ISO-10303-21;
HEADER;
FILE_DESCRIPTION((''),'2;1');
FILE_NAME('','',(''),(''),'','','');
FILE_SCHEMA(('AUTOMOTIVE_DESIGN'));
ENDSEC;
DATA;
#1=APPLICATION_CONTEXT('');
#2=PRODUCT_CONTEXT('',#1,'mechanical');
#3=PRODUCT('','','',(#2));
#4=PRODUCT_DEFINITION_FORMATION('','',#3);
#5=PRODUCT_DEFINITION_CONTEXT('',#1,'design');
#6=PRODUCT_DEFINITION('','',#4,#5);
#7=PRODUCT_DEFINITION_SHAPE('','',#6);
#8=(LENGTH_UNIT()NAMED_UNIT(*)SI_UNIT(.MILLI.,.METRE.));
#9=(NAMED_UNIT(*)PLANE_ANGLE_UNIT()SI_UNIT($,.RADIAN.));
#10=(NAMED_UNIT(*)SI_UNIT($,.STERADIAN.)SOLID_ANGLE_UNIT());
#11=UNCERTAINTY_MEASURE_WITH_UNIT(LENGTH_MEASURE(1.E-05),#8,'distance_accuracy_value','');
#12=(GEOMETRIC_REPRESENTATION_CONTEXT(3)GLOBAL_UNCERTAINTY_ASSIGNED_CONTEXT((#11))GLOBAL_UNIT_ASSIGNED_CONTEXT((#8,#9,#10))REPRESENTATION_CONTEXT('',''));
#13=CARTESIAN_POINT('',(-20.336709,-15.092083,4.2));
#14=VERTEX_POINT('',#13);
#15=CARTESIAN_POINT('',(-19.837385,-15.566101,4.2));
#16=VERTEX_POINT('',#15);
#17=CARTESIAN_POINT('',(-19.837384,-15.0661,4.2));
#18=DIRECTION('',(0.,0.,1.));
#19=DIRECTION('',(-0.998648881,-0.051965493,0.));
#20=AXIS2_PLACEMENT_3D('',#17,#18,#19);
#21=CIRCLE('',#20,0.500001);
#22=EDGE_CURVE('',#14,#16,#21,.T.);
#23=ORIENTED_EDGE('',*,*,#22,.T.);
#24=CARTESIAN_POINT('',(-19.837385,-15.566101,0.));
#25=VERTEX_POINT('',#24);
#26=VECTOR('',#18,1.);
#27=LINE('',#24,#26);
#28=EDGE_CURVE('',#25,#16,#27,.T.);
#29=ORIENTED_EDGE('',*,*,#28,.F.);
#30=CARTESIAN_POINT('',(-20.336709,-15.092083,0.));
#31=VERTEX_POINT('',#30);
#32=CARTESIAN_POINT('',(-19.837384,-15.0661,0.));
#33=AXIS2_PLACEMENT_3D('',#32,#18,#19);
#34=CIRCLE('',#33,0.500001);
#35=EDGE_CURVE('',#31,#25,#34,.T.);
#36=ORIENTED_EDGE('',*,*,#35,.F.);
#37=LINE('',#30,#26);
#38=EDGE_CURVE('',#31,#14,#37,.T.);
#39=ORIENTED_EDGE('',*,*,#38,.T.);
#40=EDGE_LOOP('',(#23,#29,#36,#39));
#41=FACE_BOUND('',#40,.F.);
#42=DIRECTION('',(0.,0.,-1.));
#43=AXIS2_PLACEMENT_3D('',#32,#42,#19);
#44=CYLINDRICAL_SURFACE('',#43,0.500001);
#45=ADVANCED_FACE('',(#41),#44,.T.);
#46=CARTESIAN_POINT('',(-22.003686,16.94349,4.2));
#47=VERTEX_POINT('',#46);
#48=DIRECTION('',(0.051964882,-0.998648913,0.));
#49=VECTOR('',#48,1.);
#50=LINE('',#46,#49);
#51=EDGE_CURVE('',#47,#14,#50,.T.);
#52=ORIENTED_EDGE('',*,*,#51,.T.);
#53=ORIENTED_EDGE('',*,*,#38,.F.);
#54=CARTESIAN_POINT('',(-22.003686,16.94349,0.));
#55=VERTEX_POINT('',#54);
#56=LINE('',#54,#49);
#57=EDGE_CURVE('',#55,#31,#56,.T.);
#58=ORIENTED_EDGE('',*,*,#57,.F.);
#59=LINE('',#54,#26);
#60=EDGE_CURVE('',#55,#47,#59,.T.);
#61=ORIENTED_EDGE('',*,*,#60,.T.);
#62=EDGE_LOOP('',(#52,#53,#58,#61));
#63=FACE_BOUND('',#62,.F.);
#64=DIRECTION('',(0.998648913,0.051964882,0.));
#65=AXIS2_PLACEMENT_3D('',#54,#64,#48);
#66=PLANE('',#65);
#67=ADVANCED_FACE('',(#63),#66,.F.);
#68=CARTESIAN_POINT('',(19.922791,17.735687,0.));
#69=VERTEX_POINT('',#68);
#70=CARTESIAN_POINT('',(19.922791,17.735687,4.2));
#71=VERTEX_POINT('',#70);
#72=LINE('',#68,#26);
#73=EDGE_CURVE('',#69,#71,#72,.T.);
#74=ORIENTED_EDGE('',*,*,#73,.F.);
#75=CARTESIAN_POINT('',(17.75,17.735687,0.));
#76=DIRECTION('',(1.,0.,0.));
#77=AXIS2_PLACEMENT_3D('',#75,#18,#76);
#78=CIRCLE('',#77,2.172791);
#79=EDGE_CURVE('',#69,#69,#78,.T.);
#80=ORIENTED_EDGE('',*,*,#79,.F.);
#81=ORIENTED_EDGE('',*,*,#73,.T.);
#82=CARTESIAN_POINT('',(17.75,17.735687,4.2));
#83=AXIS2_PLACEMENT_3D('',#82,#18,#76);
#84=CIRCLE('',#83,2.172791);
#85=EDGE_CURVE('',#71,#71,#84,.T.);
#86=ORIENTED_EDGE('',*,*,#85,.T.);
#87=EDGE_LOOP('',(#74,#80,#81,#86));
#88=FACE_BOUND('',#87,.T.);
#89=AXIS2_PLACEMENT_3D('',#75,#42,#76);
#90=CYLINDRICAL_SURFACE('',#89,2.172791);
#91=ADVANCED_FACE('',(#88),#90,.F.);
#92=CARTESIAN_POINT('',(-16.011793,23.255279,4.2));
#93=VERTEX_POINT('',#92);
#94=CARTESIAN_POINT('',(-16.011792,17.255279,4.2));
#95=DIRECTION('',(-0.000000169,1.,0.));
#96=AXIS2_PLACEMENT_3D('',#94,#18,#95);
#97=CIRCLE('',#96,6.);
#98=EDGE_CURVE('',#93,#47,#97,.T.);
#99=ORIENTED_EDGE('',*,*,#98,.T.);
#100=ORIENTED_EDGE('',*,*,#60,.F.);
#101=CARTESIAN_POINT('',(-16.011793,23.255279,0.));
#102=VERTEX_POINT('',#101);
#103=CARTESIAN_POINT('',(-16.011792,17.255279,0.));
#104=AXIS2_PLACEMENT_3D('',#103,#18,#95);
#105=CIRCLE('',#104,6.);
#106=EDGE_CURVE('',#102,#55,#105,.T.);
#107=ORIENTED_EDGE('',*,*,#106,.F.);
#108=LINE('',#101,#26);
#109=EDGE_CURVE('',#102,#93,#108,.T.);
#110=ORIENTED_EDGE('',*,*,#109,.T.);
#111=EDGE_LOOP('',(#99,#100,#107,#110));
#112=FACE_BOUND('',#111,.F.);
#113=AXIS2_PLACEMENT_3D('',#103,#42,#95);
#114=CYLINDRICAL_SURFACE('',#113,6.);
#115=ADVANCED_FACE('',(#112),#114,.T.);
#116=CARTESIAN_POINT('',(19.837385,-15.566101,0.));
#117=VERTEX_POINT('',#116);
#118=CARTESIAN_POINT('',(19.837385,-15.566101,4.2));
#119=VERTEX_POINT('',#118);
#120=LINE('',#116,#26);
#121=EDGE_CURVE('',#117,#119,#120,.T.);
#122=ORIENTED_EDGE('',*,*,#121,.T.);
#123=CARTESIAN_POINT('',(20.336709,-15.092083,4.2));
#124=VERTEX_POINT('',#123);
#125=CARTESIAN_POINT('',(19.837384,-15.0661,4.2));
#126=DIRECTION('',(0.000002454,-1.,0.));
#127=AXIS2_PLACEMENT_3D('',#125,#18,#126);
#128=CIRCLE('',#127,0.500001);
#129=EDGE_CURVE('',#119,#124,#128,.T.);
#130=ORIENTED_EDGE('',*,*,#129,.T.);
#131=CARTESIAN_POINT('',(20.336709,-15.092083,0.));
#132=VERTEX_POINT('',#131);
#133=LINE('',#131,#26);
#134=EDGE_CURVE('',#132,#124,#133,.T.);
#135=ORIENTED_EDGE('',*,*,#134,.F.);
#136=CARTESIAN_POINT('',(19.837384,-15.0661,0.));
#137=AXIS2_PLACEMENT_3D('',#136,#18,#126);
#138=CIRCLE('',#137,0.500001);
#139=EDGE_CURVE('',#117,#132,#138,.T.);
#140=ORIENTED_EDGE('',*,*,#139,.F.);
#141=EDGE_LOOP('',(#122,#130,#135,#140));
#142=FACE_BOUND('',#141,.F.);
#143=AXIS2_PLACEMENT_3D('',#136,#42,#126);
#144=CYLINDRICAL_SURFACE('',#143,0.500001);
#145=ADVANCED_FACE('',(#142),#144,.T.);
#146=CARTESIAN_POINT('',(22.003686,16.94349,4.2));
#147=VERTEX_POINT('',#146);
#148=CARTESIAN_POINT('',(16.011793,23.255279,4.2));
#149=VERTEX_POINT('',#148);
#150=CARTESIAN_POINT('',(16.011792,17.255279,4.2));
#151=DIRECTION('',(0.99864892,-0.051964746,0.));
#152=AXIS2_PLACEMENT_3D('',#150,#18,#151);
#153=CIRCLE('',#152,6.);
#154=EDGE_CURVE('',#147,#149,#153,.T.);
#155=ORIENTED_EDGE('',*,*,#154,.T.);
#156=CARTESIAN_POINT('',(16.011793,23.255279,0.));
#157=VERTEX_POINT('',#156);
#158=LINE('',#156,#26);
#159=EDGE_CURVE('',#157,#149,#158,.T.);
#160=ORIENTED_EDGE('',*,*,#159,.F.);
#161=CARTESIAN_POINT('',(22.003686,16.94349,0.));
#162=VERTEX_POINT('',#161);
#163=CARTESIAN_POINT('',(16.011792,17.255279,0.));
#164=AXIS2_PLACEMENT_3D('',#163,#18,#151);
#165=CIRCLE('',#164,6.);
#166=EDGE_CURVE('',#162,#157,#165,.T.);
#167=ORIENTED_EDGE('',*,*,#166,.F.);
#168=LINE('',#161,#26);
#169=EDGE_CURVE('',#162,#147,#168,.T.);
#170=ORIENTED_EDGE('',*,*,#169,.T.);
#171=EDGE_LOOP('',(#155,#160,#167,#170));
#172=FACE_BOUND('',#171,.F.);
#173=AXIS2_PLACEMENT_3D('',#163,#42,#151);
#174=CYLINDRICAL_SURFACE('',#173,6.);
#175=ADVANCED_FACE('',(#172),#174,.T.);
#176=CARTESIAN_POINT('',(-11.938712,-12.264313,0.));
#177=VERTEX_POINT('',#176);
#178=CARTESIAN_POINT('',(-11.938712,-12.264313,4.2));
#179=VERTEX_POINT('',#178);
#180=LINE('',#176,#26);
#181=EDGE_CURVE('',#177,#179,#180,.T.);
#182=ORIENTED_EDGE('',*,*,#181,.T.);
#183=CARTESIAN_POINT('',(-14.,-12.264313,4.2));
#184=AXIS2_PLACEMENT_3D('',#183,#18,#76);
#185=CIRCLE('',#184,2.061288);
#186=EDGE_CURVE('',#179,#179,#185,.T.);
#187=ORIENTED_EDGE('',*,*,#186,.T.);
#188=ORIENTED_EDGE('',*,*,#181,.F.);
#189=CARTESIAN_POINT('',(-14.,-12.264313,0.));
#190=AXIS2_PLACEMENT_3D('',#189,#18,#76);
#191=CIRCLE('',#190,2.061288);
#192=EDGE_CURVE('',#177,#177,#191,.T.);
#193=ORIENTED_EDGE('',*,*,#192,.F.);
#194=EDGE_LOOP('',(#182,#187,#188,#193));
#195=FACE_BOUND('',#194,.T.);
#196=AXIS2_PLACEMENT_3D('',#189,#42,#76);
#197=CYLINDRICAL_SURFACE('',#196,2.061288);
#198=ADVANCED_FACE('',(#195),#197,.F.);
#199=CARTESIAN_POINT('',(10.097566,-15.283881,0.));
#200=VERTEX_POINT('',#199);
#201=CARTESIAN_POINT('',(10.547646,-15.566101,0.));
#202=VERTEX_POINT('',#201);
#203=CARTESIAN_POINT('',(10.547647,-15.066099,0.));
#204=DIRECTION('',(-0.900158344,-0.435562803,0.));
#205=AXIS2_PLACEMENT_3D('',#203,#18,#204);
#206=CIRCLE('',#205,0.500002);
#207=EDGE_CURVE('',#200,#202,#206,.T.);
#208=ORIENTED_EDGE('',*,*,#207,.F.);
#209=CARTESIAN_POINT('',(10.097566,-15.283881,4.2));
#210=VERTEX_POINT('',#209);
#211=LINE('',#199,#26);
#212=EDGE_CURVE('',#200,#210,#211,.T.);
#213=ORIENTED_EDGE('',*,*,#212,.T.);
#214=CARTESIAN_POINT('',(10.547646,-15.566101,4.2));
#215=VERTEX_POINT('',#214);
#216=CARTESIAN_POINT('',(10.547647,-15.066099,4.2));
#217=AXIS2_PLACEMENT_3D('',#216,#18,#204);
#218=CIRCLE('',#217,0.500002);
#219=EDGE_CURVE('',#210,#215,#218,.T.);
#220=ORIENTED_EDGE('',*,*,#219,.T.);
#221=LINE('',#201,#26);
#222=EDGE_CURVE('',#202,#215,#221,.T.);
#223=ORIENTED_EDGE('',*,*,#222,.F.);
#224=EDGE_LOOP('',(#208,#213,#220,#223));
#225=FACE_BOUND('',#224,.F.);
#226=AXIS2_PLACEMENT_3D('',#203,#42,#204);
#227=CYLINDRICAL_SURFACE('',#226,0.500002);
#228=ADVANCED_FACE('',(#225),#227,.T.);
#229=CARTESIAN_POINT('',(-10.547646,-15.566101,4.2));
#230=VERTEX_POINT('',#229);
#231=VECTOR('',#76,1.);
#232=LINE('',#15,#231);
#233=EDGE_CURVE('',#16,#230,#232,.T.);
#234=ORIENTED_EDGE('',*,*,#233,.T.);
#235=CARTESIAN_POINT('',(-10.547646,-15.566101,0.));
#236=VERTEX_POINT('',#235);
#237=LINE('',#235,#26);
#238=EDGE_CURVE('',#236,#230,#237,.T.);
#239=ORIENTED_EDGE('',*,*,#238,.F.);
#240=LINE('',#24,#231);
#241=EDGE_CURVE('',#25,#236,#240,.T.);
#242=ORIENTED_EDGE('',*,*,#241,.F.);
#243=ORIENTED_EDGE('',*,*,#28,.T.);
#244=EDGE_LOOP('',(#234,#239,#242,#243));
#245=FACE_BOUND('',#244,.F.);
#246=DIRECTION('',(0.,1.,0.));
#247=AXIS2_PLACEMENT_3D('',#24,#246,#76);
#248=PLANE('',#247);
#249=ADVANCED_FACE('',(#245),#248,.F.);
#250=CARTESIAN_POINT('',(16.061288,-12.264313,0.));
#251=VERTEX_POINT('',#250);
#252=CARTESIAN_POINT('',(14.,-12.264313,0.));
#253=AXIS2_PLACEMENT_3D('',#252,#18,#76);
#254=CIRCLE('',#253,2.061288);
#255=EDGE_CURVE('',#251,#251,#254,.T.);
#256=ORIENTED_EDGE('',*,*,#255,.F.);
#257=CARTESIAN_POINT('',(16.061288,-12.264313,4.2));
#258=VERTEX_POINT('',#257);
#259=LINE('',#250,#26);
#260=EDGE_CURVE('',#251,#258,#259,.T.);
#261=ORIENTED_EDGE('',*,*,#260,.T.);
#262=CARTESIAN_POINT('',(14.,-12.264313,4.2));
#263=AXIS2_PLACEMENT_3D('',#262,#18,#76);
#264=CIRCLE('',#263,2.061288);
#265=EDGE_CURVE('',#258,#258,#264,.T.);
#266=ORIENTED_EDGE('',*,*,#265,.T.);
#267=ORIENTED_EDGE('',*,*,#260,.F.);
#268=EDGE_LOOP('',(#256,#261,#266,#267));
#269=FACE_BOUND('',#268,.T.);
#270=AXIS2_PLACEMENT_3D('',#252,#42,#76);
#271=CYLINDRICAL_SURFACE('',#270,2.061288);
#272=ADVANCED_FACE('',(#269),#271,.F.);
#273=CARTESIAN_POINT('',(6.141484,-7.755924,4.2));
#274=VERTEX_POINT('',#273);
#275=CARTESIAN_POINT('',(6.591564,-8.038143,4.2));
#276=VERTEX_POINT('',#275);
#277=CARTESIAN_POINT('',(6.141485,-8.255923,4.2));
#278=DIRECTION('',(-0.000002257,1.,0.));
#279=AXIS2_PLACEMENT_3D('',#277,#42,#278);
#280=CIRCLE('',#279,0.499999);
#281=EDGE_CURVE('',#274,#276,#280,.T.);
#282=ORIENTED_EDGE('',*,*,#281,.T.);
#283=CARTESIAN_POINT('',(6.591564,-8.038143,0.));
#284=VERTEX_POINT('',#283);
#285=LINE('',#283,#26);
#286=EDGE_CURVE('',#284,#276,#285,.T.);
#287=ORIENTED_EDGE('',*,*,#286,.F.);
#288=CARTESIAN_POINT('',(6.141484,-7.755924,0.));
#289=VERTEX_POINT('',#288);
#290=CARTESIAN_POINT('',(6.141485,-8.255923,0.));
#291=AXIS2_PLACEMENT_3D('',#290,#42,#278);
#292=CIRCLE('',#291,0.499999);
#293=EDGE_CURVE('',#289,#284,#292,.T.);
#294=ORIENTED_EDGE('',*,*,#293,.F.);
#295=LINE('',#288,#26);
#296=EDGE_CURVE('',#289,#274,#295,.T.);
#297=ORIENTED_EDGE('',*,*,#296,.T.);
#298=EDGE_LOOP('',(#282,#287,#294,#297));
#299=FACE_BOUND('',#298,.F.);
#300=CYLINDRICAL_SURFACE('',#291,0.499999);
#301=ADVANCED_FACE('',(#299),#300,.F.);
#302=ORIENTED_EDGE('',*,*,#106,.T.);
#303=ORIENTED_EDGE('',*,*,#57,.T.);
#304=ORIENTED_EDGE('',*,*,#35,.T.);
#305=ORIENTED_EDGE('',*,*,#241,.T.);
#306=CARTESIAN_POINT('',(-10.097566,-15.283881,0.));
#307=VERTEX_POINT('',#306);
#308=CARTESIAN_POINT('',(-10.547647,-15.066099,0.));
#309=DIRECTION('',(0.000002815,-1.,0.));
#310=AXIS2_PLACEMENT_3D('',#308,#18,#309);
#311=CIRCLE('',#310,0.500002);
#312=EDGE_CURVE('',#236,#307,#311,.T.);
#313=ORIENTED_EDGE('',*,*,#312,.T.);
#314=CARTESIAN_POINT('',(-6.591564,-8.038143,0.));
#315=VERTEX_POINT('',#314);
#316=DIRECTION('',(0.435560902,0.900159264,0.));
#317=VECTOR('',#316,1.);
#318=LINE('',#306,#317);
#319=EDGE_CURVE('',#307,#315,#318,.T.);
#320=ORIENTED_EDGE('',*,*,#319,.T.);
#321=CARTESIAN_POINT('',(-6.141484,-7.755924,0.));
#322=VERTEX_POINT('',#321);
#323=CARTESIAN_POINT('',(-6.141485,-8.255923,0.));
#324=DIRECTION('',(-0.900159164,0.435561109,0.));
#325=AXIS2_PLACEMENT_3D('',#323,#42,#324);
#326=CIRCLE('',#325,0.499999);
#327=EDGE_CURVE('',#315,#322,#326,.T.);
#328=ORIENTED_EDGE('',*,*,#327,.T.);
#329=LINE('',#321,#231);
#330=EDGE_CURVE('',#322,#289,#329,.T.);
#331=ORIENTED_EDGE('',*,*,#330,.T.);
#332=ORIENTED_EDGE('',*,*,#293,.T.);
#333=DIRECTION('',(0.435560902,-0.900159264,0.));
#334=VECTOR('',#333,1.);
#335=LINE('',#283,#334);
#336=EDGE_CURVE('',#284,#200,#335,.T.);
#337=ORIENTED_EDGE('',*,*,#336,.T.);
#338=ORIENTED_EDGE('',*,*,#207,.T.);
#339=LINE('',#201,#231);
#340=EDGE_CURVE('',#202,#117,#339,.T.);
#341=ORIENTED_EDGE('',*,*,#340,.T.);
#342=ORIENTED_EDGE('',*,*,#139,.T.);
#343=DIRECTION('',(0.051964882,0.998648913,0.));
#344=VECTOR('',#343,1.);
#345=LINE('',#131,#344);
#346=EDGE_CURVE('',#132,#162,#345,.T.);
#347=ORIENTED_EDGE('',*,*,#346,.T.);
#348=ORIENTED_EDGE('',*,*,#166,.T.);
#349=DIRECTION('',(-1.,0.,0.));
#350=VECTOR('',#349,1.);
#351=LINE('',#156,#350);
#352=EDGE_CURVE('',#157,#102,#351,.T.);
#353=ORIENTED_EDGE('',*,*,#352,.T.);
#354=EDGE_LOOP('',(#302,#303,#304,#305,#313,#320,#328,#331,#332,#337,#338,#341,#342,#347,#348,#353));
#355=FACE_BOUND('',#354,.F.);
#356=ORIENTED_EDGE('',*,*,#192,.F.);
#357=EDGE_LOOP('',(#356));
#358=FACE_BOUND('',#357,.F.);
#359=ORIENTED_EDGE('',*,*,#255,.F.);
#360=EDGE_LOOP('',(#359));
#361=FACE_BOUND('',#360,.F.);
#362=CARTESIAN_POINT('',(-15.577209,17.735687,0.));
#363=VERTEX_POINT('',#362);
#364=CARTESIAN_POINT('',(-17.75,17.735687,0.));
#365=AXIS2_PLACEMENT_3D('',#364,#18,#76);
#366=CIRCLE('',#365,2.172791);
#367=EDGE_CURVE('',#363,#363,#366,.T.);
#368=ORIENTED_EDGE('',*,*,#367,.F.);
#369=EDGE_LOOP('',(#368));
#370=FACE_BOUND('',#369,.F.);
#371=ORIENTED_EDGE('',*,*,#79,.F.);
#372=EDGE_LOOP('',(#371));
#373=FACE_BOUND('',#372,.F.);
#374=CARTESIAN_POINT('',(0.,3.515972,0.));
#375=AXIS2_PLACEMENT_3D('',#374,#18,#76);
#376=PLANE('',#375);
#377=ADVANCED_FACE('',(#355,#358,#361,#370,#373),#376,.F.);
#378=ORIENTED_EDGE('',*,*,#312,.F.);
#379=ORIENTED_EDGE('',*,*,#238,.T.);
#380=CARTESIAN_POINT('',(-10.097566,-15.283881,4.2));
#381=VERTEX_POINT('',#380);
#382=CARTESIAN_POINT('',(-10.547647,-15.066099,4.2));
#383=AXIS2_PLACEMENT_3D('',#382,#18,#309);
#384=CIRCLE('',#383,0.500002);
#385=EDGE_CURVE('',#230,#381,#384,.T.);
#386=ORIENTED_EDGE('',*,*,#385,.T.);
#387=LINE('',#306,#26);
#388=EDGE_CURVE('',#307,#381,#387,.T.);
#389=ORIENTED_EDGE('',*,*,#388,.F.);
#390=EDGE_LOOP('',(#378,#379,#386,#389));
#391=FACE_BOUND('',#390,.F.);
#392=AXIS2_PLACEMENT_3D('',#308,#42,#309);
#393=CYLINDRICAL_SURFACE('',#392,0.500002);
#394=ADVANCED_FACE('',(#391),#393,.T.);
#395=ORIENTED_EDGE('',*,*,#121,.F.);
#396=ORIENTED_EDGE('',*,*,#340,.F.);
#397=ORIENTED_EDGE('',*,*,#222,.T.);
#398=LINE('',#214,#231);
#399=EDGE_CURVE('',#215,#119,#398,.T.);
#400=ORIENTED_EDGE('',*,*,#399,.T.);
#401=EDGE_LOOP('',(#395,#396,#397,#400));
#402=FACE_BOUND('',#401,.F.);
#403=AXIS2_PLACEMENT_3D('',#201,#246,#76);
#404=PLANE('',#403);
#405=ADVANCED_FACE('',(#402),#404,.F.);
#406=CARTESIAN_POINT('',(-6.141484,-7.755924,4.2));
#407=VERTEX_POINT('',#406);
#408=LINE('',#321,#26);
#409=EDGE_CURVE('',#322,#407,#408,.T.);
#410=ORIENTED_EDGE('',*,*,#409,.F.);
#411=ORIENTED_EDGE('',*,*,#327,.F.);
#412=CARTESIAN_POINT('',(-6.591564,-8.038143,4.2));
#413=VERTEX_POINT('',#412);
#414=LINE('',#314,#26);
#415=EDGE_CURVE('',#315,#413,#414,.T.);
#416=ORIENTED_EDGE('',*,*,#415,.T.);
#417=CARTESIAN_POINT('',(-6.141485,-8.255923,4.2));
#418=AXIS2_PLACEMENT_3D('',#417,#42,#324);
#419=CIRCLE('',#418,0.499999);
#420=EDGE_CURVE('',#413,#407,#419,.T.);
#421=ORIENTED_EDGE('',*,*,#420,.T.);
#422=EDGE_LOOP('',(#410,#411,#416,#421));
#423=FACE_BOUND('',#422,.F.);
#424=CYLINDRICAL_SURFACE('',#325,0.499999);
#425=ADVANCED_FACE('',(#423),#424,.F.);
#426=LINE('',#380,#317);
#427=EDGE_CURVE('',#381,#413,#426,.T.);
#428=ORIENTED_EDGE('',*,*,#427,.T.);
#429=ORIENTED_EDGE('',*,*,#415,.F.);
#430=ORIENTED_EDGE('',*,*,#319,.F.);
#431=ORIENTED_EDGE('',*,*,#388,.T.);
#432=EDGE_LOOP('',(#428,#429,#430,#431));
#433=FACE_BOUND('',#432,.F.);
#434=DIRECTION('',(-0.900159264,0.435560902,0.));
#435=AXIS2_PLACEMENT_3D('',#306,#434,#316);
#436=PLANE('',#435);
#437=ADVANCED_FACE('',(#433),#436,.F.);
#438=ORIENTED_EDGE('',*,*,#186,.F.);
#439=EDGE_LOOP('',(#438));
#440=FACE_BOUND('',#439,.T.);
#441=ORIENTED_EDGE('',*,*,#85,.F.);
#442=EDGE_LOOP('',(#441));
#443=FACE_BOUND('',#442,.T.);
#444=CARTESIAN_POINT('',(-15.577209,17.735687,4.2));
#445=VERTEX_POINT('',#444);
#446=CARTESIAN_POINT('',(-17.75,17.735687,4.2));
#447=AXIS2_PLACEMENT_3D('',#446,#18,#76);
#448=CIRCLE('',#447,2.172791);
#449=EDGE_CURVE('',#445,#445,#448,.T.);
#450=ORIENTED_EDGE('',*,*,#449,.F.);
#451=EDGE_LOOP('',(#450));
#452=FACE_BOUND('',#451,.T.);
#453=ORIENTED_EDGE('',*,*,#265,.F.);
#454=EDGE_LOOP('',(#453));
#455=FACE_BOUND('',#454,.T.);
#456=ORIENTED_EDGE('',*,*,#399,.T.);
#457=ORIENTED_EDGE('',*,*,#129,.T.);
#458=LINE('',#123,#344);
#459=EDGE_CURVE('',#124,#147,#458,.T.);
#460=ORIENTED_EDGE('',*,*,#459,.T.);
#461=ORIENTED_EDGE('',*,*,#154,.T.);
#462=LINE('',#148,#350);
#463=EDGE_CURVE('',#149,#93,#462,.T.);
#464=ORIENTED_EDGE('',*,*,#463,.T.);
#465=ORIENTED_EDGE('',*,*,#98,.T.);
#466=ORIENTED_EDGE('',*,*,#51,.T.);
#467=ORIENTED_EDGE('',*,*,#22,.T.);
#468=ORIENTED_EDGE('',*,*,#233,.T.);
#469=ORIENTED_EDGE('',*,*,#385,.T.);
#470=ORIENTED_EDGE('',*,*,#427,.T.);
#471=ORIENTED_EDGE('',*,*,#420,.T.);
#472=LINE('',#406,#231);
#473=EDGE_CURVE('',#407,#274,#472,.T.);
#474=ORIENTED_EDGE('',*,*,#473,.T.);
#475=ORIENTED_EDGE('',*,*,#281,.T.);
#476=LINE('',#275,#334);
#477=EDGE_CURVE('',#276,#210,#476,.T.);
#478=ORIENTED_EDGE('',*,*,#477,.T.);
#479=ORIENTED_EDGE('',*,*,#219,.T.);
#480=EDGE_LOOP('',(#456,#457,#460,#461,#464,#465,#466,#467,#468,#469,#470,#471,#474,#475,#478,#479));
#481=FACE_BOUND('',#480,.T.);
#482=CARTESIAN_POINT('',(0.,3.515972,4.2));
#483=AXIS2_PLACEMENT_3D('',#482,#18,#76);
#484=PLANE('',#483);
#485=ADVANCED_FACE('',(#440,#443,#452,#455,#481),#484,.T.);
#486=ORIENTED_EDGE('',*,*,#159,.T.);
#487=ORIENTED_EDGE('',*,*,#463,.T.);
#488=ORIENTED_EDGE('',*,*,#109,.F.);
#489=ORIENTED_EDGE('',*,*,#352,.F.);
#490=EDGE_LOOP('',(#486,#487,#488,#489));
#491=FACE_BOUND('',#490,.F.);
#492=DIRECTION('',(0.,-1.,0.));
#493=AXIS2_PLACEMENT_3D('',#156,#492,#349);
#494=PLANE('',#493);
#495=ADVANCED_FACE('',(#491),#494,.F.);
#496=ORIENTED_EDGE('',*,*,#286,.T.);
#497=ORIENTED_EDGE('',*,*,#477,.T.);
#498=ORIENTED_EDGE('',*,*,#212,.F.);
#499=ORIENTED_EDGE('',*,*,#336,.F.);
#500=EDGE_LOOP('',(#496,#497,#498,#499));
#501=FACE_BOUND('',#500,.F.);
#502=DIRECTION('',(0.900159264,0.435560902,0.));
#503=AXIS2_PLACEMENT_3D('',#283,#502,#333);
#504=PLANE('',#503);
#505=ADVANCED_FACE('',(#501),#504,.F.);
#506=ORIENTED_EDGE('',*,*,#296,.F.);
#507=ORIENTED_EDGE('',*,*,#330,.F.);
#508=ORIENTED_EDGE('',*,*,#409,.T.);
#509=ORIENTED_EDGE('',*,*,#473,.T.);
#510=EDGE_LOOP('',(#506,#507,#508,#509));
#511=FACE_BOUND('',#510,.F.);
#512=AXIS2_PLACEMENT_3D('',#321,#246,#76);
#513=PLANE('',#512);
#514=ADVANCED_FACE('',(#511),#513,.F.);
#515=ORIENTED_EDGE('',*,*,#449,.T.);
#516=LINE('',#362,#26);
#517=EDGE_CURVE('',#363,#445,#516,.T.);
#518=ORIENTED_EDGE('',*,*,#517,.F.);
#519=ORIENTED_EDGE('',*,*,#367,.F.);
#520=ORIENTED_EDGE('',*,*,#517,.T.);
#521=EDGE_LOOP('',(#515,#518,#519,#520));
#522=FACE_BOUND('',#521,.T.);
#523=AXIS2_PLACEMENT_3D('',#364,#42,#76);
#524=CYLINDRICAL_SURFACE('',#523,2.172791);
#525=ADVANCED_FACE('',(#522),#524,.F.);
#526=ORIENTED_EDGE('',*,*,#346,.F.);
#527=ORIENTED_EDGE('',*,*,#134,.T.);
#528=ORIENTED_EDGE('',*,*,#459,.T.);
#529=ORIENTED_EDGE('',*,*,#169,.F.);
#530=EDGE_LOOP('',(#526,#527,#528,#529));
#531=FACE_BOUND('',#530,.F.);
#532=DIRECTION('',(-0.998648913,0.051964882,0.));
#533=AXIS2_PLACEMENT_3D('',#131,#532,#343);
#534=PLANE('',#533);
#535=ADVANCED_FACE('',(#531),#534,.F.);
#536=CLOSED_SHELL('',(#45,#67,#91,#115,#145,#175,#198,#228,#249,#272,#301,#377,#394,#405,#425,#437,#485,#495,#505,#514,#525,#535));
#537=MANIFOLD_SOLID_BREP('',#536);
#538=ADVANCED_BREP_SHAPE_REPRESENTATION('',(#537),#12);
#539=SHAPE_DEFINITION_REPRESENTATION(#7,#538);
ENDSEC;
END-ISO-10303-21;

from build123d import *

# Parameters (mm, degrees)
F0_R     = 2.061288
F0_R_2   = 2.172791
F1_DEPTH = 4.2


with BuildPart() as f1:
    # F0 (on Top) → F1 (new body)
    with BuildSketch(Plane.XY):
        with BuildLine():
            Line((16.011793, 23.255279), (0, 23.255279))
            Line((0, 23.255279), (-16.011793, 23.255279))
            ThreePointArc((-16.011793, 23.255279), (-20.363271, 21.386215), (-22.003686, 16.94349))
            Line((-22.003686, 16.94349), (-20.336709, -15.092083))
            ThreePointArc((-20.336709, -15.092083), (-20.181629, -15.428724), (-19.837385, -15.566101))
            Line((-19.837385, -15.566101), (-10.547646, -15.566101))
            ThreePointArc((-10.547646, -15.566101), (-10.282024, -15.48971), (-10.097566, -15.283881))
            Line((-10.097566, -15.283881), (-6.591564, -8.038143))
            ThreePointArc((-6.591564, -8.038143), (-6.407106, -7.832314), (-6.141484, -7.755924))
            Line((-6.141484, -7.755924), (0, -7.755924))
            Line((0, -7.755924), (6.141484, -7.755924))
            ThreePointArc((6.141484, -7.755924), (6.407106, -7.832314), (6.591564, -8.038143))
            Line((6.591564, -8.038143), (10.097566, -15.283881))
            ThreePointArc((10.097566, -15.283881), (10.282024, -15.48971), (10.547646, -15.566101))
            Line((10.547646, -15.566101), (19.837385, -15.566101))
            ThreePointArc((19.837385, -15.566101), (20.181629, -15.428724), (20.336709, -15.092083))
            Line((20.336709, -15.092083), (22.003686, 16.94349))
            ThreePointArc((22.003686, 16.94349), (20.363271, 21.386215), (16.011793, 23.255279))
        make_face()
        with Locations((-14, -12.264313)):
            Circle(F0_R, mode=Mode.SUBTRACT)
        with Locations((14, -12.264313)):
            Circle(F0_R, mode=Mode.SUBTRACT)
        with Locations((-17.75, 17.735687)):
            Circle(F0_R_2, mode=Mode.SUBTRACT)
        with Locations((17.75, 17.735687)):
            Circle(F0_R_2, mode=Mode.SUBTRACT)
    extrude(amount=F1_DEPTH)


solid = f1.part
